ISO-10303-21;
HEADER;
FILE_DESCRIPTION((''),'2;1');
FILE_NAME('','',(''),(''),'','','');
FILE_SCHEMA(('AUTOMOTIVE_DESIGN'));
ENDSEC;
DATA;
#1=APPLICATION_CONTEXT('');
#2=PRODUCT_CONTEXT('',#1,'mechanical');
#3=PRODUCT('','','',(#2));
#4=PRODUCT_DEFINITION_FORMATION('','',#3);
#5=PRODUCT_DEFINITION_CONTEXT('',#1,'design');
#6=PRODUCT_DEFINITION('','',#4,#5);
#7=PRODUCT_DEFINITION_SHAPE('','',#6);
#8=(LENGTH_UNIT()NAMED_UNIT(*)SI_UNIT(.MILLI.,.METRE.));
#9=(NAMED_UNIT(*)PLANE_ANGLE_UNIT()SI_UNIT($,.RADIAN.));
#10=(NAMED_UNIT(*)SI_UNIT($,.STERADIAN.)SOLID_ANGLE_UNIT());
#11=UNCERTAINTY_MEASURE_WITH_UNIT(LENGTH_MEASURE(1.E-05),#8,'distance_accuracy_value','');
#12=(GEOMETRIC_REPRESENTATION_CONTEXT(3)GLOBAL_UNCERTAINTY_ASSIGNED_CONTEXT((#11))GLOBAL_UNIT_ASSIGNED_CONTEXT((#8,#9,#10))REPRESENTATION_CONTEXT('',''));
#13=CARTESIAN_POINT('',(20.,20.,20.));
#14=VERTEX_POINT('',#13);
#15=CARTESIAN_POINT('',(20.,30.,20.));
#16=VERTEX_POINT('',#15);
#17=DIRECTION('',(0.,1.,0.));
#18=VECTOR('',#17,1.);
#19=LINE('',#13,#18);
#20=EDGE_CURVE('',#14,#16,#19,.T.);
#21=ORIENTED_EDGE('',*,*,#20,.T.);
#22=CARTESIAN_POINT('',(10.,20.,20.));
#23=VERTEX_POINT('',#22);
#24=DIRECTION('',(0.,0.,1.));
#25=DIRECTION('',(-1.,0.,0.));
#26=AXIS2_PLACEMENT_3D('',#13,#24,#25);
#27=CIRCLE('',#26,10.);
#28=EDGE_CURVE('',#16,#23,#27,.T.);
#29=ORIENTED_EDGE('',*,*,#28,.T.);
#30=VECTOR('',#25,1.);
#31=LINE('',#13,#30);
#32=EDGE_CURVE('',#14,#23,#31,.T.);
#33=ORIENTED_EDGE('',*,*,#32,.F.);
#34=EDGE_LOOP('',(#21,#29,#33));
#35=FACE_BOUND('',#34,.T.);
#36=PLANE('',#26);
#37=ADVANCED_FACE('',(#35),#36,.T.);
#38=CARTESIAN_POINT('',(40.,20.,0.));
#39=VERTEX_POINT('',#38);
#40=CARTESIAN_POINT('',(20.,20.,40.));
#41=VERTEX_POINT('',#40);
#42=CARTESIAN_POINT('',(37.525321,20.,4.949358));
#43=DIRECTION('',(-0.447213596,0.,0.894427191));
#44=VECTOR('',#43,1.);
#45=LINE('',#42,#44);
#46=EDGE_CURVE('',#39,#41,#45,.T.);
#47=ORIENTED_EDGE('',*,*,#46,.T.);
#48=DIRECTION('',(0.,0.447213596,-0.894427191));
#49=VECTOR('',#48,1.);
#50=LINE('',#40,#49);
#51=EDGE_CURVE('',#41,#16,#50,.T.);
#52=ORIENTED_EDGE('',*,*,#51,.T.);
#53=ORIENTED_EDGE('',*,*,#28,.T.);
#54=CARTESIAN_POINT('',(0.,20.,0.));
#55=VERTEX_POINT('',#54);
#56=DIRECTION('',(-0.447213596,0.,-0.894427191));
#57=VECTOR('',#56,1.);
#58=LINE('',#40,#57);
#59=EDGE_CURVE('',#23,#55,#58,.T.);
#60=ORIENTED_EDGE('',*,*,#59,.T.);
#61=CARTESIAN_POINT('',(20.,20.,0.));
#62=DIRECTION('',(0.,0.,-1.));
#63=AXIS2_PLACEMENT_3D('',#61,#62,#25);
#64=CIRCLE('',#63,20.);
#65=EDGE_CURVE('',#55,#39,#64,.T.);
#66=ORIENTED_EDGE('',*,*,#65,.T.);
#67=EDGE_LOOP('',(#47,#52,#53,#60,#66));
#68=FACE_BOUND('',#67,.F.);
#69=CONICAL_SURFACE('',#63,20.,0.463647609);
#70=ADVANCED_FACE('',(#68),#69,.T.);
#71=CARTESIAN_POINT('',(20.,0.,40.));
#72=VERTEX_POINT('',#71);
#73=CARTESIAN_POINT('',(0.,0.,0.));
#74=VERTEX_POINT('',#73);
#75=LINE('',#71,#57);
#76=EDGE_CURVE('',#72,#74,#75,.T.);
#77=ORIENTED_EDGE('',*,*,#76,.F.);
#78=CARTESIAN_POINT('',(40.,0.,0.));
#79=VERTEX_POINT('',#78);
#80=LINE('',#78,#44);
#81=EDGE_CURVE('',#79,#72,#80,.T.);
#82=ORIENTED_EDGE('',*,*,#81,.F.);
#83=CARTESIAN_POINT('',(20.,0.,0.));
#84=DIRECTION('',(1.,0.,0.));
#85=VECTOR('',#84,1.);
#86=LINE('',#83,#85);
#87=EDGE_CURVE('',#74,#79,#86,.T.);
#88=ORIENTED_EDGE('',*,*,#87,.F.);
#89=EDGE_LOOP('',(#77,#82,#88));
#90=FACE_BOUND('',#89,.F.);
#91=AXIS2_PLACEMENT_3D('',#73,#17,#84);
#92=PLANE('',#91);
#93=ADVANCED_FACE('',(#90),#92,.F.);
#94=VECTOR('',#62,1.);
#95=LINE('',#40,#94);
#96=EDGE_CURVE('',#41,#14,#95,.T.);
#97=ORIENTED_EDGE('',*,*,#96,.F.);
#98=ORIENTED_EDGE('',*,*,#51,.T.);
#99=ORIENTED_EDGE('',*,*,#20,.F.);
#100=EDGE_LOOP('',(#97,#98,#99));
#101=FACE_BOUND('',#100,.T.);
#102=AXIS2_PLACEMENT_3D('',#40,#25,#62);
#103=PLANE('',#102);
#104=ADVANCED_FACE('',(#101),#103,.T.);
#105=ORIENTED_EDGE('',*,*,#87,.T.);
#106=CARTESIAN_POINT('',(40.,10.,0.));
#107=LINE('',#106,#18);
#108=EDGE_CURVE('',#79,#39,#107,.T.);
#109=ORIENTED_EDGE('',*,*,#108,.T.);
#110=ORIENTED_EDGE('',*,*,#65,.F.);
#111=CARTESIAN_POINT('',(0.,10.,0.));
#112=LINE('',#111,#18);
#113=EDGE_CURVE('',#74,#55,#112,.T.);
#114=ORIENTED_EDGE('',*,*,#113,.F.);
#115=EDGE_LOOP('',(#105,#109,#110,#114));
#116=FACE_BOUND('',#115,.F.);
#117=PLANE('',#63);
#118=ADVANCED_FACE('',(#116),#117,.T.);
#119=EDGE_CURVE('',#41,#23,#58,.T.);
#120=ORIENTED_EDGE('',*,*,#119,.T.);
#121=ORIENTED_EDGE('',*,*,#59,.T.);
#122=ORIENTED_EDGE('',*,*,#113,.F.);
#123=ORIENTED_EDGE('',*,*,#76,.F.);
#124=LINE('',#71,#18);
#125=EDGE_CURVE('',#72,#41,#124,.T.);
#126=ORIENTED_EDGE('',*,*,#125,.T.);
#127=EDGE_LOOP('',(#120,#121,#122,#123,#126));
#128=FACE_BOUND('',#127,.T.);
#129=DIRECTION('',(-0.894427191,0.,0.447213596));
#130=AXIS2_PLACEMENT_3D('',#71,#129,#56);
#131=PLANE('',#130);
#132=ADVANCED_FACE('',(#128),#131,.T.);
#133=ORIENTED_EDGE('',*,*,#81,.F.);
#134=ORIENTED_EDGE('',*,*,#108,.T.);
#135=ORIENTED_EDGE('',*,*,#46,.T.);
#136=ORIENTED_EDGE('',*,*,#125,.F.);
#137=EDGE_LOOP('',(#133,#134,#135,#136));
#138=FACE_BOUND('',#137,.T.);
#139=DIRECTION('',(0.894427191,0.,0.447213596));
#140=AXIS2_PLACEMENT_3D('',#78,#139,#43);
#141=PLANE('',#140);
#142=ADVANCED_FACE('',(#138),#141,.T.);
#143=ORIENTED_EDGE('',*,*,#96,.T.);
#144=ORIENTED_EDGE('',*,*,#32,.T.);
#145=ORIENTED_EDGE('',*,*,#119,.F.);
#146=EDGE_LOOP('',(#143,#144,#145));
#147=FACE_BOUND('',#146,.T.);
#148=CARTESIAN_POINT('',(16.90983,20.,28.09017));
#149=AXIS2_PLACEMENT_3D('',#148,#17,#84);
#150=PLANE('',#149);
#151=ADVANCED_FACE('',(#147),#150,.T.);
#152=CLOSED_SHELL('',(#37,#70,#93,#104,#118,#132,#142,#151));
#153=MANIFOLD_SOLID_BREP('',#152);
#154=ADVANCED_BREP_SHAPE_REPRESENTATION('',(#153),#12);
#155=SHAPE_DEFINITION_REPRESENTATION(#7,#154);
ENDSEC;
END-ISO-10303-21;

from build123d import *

# Parameters (mm, degrees)
SKETCH1_W           = 40
SKETCH1_H           = 20
BOSS_EXTRUDE1_DEPTH = 40
CUT_EXTRUDE18_DEPTH = 20
CUT_EXTRUDE20_DEPTH = 59
CUT_EXTRUDE21_DEPTH = 59
SKETCH13_W          = 56.232322264
SKETCH13_H          = 131.72647096
CUT_EXTRUDE22_DEPTH = 20
REVOLVE1_ANGLE      = 180
CUT_EXTRUDE23_DEPTH = 20


with BuildPart() as part:
    # Sketch1 → Boss-Extrude1 (new body)
    with BuildSketch(Plane.XY):
        with BuildLine():
            Line((0, 20), (40, 20))
            ThreePointArc((40, 20), (20, 40), (0, 20))
        make_face()
        with Locations((20, 10)):
            Rectangle(SKETCH1_W, SKETCH1_H)
    extrude(amount=BOSS_EXTRUDE1_DEPTH)

    # Sketch4 → Cut-Extrude18 (cut)
    with BuildSketch(Plane.XY.offset(40)):
        with BuildLine():
            Line((20, 30), (20, 20))
            Line((20, 20), (10, 20))
            ThreePointArc((10, 20), (12.928932188, 27.071067812), (20, 30))
        make_face()
    extrude(amount=-CUT_EXTRUDE18_DEPTH, mode=Mode.SUBTRACT)

    # Sketch11 → Cut-Extrude20 (cut)
    with BuildSketch(Plane(origin=(0, 0, 0), x_dir=(1, 0, 0), z_dir=(0, 1, 0))):
        Polygon((20, -40), (0, 0), (0, -40), align=None)
        Polygon((40, 0), (20, -40), (40, -40), align=None)
    extrude(amount=CUT_EXTRUDE20_DEPTH, mode=Mode.SUBTRACT)

    # Sketch12 → Cut-Extrude21 (cut)
    with BuildSketch(Plane(origin=(0, 0, 0), x_dir=(0, 0, -1), z_dir=(1, 0, 0))):
        Polygon((-40, 20), (0, 40), (-40, 40), align=None)
    extrude(amount=CUT_EXTRUDE21_DEPTH, mode=Mode.SUBTRACT)

    # Sketch13 → Cut-Extrude22 (cut)
    with BuildSketch(Plane(origin=(0, 20, 0), x_dir=(1, 0, 0), z_dir=(0, 1, 0))):
        with Locations((25.992745576, -5.369768382)):
            Rectangle(SKETCH13_W, SKETCH13_H)
    extrude(amount=CUT_EXTRUDE22_DEPTH, mode=Mode.SUBTRACT)

    # Sketch14 → Revolve1 (revolve)
    with BuildSketch(Plane(origin=(0, 20, 0), x_dir=(1, 0, 0), z_dir=(0, 1, 0))):
        Polygon((20, -40), (20, 0), (0, 0), align=None)
    revolve(axis=Axis((20, 20, 40), (0, 0, -1)), revolution_arc=REVOLVE1_ANGLE)

    # Sketch15 → Cut-Extrude23 (cut)
    with BuildSketch(Plane(origin=(0, 20, 0), x_dir=(1, 0, 0), z_dir=(0, 1, 0))):
        Polygon((20, -40), (20, -20), (10, -20), align=None)
    extrude(amount=CUT_EXTRUDE23_DEPTH, mode=Mode.SUBTRACT)


solid = part.part
